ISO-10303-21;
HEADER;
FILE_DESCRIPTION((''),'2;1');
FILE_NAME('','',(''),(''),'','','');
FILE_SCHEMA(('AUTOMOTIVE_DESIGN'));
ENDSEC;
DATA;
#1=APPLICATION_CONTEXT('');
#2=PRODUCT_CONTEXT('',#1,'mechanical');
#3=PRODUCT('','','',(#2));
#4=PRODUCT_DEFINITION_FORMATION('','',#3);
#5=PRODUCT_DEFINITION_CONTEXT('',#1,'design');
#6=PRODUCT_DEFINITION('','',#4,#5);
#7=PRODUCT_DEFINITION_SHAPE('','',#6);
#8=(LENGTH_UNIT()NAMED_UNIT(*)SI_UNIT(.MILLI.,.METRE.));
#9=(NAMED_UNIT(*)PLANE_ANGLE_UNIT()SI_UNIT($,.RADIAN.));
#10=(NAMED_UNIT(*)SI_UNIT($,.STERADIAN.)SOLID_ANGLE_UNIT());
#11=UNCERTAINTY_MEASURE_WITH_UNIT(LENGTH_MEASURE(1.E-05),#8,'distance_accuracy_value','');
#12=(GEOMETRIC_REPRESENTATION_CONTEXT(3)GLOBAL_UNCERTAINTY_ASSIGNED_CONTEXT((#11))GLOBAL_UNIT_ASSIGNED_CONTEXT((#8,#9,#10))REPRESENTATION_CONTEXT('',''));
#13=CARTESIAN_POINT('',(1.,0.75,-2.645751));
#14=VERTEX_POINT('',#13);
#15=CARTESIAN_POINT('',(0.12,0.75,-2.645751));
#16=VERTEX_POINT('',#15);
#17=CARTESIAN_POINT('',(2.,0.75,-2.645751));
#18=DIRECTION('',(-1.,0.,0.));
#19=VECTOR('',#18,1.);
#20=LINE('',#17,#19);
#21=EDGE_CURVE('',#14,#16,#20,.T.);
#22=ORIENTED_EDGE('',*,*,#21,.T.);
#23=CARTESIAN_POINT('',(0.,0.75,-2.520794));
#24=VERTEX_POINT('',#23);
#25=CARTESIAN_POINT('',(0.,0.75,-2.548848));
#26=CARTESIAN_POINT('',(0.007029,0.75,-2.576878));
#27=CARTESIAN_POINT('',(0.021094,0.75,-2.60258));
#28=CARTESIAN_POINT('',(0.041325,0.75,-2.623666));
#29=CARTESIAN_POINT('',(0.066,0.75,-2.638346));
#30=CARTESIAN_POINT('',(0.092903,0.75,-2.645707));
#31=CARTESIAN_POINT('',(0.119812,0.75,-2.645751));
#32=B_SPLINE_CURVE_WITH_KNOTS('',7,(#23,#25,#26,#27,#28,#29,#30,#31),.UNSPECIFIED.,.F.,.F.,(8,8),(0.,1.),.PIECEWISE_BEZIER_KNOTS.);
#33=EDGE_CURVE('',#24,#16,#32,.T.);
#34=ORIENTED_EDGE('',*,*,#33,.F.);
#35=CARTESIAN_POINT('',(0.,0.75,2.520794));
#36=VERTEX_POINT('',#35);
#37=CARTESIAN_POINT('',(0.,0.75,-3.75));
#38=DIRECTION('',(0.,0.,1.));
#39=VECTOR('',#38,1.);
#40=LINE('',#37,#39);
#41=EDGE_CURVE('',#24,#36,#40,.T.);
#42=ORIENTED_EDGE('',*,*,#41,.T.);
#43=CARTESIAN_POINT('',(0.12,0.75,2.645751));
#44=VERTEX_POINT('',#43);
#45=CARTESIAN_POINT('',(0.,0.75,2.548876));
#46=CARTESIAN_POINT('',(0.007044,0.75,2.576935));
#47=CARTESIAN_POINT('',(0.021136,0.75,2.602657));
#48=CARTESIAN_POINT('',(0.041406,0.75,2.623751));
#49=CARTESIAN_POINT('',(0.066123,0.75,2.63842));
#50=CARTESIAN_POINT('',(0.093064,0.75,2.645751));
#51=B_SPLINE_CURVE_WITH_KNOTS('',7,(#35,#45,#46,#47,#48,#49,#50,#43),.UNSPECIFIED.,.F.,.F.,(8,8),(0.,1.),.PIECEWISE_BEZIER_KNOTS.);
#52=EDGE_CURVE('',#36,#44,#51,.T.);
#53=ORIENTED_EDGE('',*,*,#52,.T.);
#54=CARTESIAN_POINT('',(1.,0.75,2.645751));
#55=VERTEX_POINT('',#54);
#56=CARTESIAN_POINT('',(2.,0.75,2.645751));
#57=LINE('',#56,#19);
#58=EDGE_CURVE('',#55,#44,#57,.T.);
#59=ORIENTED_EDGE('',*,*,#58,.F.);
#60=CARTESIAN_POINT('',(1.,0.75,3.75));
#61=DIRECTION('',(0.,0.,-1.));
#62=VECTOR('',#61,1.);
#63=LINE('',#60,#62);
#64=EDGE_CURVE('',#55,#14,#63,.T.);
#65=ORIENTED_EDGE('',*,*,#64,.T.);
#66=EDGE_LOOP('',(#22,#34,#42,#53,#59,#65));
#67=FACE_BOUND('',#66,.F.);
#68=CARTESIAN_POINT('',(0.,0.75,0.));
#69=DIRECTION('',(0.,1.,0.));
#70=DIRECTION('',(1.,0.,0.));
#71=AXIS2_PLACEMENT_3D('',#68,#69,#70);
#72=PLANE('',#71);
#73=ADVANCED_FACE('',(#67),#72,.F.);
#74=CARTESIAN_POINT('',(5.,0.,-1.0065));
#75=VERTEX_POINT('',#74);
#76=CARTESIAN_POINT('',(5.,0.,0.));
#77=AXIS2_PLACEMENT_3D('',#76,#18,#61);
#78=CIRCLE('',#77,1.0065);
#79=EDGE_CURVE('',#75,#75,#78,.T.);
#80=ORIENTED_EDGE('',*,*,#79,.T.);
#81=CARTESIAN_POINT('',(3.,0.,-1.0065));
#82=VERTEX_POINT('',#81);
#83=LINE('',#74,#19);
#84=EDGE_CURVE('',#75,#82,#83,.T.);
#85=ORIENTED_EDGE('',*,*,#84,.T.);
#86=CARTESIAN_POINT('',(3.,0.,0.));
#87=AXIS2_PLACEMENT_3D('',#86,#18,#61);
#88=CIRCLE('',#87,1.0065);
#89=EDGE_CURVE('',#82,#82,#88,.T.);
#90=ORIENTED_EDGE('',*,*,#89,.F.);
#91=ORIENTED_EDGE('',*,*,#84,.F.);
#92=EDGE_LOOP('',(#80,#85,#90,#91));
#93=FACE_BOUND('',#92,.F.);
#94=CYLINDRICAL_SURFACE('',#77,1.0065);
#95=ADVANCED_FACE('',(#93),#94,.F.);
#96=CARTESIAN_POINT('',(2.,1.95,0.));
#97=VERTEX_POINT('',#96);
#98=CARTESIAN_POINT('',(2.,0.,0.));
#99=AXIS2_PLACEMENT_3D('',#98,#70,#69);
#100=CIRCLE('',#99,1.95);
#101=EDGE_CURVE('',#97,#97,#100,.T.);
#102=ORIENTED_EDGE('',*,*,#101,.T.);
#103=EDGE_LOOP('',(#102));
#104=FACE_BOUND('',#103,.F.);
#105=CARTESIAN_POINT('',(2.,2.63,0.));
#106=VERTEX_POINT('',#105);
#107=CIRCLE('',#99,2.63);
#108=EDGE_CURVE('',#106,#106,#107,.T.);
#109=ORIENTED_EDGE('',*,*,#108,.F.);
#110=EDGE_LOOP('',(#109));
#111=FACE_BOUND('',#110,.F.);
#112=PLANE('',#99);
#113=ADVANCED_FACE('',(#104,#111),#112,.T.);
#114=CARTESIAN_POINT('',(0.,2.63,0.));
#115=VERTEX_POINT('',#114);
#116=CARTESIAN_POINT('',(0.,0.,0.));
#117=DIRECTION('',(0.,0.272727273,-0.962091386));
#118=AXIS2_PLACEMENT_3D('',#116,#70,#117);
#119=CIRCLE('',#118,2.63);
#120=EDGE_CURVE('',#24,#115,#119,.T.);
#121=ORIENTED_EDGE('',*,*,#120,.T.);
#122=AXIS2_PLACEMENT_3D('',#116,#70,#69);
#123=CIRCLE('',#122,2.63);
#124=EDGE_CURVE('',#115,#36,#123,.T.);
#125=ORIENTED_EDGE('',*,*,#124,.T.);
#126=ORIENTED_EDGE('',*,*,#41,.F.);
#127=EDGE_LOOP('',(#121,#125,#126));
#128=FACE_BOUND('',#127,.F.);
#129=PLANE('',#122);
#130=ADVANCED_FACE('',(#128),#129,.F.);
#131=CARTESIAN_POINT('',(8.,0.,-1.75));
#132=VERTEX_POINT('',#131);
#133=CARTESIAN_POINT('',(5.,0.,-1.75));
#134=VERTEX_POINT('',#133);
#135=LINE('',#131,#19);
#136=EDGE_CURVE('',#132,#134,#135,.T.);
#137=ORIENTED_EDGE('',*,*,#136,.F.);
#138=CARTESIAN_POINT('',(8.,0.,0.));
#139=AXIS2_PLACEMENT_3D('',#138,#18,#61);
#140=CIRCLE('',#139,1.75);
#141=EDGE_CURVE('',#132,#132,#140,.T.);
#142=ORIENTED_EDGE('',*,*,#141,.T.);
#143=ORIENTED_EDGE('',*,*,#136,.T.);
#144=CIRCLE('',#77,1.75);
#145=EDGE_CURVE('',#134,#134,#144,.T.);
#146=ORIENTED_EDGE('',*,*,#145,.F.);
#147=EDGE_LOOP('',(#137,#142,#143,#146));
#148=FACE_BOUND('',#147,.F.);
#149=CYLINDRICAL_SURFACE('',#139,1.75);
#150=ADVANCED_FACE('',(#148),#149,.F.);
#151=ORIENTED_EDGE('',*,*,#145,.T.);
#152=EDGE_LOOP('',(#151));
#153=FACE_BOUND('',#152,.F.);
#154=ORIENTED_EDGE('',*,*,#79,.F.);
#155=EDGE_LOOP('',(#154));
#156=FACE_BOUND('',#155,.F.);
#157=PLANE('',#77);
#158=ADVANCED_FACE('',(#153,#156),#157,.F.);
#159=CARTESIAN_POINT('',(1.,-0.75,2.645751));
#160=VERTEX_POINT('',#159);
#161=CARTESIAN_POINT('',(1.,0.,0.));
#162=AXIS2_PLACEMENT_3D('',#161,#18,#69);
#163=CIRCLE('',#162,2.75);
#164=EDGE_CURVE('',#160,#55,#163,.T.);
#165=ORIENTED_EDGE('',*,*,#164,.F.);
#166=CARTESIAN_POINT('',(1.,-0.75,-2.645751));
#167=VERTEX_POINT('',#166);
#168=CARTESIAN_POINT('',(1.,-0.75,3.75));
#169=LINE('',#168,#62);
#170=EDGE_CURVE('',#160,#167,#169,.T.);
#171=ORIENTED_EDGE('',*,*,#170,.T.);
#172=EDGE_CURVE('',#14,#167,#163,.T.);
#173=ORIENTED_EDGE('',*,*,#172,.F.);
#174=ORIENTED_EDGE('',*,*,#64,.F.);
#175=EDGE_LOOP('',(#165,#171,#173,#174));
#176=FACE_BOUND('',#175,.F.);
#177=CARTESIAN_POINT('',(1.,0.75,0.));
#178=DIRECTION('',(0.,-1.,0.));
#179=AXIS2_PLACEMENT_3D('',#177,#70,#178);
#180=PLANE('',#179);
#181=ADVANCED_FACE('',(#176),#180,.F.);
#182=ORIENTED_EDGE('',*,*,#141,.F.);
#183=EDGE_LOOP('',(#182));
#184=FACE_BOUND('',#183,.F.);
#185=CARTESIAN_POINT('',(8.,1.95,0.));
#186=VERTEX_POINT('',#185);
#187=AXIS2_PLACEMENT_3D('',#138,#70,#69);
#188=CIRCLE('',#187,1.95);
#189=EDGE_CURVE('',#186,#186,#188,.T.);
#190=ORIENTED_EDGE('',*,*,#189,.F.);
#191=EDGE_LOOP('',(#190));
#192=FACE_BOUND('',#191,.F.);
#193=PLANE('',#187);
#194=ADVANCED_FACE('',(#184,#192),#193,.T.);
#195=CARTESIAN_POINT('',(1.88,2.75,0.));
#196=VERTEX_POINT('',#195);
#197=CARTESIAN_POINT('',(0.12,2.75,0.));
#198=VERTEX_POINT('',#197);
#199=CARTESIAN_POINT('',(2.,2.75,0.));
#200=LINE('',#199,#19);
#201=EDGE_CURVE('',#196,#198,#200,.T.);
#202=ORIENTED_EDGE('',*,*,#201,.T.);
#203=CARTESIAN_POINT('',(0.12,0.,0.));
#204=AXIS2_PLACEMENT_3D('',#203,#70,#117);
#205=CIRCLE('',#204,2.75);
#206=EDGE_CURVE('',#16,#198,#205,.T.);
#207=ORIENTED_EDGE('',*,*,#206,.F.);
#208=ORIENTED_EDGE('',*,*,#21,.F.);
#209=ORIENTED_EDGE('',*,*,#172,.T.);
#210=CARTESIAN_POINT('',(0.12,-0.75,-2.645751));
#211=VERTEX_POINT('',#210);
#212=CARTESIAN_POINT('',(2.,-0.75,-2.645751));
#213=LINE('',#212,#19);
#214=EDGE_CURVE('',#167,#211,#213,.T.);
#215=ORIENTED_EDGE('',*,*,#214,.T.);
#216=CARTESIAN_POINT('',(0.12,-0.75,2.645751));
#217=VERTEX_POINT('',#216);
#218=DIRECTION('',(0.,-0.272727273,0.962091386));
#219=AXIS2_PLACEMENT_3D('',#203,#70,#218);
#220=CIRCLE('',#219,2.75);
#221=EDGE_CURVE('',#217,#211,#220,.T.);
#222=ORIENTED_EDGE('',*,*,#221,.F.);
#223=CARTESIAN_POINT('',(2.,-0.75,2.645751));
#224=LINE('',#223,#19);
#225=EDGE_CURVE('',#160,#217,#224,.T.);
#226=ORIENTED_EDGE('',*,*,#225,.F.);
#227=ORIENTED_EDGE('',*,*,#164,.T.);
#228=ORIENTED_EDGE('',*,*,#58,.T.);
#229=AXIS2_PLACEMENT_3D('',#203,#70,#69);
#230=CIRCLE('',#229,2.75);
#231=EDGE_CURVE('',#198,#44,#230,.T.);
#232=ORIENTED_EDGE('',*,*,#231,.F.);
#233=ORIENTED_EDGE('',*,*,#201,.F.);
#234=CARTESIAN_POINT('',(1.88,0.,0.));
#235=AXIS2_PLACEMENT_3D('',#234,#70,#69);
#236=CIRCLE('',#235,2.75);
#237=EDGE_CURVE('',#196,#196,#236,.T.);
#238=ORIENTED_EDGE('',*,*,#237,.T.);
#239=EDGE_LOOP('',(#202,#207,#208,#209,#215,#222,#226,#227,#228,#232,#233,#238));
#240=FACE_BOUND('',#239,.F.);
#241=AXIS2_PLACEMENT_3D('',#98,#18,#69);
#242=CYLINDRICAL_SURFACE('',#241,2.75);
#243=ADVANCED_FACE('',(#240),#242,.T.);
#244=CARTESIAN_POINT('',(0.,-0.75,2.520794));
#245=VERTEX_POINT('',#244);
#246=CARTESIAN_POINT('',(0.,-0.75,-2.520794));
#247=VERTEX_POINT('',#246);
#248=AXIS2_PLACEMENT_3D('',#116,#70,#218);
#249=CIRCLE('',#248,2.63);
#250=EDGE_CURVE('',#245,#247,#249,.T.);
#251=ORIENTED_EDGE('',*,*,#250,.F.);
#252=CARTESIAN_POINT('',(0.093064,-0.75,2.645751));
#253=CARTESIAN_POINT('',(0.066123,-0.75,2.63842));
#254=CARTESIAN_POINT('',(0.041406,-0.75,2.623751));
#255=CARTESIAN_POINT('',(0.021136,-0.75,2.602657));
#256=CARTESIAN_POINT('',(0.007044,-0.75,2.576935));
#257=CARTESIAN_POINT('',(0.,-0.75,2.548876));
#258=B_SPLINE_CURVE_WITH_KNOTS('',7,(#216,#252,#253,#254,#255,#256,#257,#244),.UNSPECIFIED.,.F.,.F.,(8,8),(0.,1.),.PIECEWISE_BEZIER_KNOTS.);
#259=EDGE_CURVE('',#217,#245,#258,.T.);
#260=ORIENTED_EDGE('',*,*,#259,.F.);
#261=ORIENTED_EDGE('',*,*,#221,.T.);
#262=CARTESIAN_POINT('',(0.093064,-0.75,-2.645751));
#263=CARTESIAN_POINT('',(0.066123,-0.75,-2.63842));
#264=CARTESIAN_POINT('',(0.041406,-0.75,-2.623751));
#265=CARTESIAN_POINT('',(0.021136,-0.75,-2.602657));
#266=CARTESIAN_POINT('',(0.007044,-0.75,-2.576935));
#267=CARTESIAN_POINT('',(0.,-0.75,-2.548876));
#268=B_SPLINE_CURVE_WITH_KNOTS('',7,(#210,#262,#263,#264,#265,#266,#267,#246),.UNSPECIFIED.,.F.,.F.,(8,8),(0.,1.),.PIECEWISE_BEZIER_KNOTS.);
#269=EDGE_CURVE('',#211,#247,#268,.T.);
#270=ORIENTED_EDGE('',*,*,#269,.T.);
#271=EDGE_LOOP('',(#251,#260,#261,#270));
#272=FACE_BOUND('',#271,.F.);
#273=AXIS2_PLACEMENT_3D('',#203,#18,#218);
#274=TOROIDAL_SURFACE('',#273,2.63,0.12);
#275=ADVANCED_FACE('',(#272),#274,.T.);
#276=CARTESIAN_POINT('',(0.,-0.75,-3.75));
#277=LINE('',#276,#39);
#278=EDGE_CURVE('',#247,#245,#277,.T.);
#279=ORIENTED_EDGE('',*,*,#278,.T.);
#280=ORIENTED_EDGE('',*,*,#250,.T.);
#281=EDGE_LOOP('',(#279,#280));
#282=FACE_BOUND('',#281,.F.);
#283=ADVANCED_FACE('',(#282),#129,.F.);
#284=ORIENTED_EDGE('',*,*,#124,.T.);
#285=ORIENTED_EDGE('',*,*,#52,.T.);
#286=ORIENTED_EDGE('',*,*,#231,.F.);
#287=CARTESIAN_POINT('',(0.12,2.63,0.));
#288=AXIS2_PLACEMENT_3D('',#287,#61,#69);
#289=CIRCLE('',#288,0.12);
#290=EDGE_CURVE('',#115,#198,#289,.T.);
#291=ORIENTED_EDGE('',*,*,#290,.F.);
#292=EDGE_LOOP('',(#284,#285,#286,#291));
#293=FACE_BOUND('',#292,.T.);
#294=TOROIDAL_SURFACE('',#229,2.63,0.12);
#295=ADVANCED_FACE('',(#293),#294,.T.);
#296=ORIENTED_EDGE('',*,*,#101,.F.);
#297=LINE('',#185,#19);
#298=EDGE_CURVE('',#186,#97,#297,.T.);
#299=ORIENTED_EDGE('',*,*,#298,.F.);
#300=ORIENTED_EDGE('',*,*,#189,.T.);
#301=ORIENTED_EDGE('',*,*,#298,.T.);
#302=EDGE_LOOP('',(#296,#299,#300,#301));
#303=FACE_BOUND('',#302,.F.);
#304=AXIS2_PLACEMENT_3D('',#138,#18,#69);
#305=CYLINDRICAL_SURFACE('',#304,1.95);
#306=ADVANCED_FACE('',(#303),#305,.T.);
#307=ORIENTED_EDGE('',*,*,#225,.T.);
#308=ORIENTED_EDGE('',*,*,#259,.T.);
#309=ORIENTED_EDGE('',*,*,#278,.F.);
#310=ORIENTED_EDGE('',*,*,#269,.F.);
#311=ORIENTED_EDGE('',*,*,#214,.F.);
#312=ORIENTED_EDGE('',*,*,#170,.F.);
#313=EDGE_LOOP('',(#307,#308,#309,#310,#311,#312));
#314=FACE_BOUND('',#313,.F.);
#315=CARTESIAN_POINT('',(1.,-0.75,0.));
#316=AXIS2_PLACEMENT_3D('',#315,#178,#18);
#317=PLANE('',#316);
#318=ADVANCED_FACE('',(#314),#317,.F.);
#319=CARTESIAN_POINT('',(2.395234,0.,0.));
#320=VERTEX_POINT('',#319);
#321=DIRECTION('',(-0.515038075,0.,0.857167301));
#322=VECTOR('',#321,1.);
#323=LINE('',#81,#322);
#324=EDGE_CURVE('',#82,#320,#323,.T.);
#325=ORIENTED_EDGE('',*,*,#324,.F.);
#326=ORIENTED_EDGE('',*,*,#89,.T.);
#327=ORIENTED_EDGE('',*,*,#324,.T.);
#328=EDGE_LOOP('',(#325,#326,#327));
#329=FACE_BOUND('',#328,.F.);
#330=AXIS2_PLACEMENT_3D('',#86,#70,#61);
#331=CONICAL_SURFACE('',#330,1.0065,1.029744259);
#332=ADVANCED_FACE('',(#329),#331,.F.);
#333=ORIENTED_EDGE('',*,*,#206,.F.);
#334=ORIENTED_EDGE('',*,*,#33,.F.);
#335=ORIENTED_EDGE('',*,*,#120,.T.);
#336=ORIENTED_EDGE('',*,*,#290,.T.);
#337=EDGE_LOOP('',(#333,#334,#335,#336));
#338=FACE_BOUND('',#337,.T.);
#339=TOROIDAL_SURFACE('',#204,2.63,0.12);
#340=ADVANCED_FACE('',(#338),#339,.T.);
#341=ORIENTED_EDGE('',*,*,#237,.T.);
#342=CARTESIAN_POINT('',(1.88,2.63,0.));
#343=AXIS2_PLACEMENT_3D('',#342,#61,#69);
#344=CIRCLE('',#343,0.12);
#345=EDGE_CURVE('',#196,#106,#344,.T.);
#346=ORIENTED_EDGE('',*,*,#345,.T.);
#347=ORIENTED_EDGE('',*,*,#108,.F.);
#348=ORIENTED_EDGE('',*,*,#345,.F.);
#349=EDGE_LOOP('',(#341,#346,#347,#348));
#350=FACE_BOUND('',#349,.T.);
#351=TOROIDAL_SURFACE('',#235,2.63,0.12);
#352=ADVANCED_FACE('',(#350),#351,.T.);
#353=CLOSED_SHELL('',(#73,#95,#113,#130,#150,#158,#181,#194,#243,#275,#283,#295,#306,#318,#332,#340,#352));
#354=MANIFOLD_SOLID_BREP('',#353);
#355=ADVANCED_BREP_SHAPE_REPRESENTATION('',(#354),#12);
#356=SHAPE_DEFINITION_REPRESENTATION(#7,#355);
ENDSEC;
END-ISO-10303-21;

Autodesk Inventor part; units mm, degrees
ref_plane "YZ Plane" through (0, 0, 0) normal (1, 0, 0) x (0, 1, 0)
sketch "Sketch1" plane through (0, 0, 0) normal (0, 0, 1) x (1, 0, 0)
  line L0 (0, 0) -> (2, 0)
  line L1 (2, 0) -> (2, 2.75)
  line L2 (2, 2.75) -> (0, 2.75)
  line L3 (0, 2.75) -> (0, 0)
  line L4 (2, 0) -> (8, 0)
  line L5 (8, 0) -> (8, 1.95)
  line L6 (8, 1.95) -> (2, 1.95)
  line L7 (2, 1.95) -> (2, 0)
  dimension "d0" = 8
  dimension "d1" = 2
  dimension "d2" = 5.5
  dimension "d3" = 3.9
revolve "Revolution1" add sketch "Sketch1" angle 360 about axis through (0, 0, 0) along (1, 0, 0)
ref_plane "Work Plane1" through (1, 0, 0) normal (-1, 0, 0) x (0, 0, 1)
ref_plane "Work Plane2" through (1, 0, 0) normal (1, 0, 0) x (0, 0, -1)
sketch "Sketch2" plane through (0, 0, 0) normal (0, 0, 1) x (1, 0, 0)
  line L0 (0, 0.75) -> (1, 0.75)
  line L1 (1, 0.75) -> (1, -0.75)
  line L2 (1, -0.75) -> (0, -0.75)
  line L3 (0, -0.75) -> (0, 0.75)
  point P0 (0, 0)
  point P1 (0, 0)
  dimension "d7" = 1
  dimension "d8" = 1.5
extrude "Extrusion1" cut sketch "Sketch2" along normal through all both and the other way through all
hole "Hole1" at (8, 0, 0) direction (-1, 0, 0) diameter 2.013 depth 5 tip angle 118 counterbore diameter 3.5 counterbore depth 3 thread size "M2.5x0.45" class "6H" standard "ANSI Metric M Profile"
fillet "Fillet1" radius 0.12 4 edges at (0, 2.1937, -1.6583) (0, 2.1937, 1.6583) (0, -2.75, 0) (2, -2.75, 0)
properties part number "308-02" material "Steel"
